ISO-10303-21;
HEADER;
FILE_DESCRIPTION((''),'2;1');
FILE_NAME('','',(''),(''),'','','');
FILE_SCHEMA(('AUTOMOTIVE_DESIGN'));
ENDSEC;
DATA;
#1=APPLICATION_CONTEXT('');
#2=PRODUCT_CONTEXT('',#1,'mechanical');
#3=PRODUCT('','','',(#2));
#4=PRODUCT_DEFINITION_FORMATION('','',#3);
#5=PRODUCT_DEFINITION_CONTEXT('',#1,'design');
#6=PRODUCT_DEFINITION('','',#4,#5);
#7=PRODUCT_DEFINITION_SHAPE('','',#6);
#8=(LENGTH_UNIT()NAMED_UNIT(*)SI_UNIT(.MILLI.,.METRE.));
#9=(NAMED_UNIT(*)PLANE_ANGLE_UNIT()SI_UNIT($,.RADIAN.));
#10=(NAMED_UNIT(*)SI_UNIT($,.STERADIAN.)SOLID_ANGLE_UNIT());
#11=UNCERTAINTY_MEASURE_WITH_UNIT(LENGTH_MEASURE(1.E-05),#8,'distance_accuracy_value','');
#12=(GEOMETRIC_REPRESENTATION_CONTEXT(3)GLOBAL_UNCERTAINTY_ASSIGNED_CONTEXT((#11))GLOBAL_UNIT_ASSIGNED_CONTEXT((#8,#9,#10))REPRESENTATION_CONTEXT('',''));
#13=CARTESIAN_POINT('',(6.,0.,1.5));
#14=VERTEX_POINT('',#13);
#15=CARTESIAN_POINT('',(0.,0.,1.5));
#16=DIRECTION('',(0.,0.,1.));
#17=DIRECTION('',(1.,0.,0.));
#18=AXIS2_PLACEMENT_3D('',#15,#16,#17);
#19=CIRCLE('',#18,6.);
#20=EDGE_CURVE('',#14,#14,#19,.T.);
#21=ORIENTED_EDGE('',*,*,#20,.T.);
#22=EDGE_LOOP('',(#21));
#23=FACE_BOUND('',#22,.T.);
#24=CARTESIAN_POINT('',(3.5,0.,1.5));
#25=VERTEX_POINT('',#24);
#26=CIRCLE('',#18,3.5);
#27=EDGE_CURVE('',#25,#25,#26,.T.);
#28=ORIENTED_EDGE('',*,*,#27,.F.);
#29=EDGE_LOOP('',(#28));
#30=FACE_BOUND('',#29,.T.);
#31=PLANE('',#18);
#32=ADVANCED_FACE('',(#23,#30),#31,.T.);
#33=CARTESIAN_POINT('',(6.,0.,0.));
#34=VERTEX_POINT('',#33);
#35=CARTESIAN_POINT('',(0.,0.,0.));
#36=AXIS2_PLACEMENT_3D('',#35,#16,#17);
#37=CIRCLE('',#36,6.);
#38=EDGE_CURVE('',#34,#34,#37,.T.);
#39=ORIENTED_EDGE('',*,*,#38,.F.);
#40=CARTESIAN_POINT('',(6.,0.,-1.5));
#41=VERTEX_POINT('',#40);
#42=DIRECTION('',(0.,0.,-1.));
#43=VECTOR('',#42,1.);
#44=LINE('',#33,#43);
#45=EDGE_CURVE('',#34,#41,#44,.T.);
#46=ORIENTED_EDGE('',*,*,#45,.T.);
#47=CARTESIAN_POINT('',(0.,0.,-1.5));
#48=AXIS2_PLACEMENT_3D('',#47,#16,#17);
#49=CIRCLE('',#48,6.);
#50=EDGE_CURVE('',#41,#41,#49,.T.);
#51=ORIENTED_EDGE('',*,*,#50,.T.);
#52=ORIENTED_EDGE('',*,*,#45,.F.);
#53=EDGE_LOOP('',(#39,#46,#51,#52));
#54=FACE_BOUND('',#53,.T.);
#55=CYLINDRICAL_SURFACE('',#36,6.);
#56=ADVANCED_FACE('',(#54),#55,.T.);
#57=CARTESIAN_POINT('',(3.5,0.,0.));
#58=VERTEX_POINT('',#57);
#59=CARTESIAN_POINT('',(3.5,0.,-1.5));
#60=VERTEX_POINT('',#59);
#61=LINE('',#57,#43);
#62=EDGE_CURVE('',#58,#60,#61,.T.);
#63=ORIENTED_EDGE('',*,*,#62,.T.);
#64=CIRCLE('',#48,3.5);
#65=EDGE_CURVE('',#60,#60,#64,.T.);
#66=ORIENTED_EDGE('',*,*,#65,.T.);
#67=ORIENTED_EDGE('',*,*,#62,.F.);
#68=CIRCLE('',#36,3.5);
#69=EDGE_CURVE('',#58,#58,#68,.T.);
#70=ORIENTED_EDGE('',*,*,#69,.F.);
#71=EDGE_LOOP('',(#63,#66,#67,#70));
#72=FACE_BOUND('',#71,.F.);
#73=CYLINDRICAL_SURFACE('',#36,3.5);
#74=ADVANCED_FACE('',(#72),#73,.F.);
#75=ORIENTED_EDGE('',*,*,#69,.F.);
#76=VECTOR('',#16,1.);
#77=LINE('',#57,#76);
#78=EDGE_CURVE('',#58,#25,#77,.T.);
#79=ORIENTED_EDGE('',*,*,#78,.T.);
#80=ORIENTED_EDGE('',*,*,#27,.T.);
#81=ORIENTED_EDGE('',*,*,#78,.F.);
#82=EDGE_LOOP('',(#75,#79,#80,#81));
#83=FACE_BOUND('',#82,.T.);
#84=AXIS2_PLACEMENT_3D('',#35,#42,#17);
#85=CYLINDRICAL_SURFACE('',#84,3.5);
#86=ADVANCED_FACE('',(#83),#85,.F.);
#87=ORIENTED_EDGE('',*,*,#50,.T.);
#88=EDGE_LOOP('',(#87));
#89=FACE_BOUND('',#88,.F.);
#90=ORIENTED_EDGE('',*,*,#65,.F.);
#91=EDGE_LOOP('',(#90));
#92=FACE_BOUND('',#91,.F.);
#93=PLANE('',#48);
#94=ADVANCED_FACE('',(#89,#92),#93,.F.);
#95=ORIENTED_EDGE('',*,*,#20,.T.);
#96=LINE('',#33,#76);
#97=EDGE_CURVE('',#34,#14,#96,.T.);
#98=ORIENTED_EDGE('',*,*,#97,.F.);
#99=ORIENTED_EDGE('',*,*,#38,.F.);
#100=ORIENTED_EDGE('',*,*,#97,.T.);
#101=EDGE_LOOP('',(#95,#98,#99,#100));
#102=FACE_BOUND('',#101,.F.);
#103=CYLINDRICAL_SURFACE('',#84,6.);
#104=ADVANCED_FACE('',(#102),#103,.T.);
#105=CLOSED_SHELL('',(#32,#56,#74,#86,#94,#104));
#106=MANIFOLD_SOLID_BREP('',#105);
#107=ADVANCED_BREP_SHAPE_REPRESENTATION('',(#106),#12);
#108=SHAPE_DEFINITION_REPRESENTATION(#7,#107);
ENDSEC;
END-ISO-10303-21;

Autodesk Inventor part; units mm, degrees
ref_plane "YZ Plane" through (0, 0, 0) normal (1, 0, 0) x (0, 1, 0)
ref_plane "XZ Plane" through (0, 0, 0) normal (0, 1, 0) x (-1, 0, 0)
ref_plane "XY Plane" through (0, 0, 0) normal (0, 0, 1) x (1, 0, 0)
sketch "Sketch1" plane through (0, 0, 0) normal (0, 0, 1) x (1, 0, 0)
  circle A0 centre (0, 0) radius 6
  circle A1 centre (0, 0) radius 3.5
  dimension "d0" = 12
  dimension "d1" = 7
extrude "Extrusion1" add sketch "Sketch1" along normal mid plane 3
properties part number "39"
